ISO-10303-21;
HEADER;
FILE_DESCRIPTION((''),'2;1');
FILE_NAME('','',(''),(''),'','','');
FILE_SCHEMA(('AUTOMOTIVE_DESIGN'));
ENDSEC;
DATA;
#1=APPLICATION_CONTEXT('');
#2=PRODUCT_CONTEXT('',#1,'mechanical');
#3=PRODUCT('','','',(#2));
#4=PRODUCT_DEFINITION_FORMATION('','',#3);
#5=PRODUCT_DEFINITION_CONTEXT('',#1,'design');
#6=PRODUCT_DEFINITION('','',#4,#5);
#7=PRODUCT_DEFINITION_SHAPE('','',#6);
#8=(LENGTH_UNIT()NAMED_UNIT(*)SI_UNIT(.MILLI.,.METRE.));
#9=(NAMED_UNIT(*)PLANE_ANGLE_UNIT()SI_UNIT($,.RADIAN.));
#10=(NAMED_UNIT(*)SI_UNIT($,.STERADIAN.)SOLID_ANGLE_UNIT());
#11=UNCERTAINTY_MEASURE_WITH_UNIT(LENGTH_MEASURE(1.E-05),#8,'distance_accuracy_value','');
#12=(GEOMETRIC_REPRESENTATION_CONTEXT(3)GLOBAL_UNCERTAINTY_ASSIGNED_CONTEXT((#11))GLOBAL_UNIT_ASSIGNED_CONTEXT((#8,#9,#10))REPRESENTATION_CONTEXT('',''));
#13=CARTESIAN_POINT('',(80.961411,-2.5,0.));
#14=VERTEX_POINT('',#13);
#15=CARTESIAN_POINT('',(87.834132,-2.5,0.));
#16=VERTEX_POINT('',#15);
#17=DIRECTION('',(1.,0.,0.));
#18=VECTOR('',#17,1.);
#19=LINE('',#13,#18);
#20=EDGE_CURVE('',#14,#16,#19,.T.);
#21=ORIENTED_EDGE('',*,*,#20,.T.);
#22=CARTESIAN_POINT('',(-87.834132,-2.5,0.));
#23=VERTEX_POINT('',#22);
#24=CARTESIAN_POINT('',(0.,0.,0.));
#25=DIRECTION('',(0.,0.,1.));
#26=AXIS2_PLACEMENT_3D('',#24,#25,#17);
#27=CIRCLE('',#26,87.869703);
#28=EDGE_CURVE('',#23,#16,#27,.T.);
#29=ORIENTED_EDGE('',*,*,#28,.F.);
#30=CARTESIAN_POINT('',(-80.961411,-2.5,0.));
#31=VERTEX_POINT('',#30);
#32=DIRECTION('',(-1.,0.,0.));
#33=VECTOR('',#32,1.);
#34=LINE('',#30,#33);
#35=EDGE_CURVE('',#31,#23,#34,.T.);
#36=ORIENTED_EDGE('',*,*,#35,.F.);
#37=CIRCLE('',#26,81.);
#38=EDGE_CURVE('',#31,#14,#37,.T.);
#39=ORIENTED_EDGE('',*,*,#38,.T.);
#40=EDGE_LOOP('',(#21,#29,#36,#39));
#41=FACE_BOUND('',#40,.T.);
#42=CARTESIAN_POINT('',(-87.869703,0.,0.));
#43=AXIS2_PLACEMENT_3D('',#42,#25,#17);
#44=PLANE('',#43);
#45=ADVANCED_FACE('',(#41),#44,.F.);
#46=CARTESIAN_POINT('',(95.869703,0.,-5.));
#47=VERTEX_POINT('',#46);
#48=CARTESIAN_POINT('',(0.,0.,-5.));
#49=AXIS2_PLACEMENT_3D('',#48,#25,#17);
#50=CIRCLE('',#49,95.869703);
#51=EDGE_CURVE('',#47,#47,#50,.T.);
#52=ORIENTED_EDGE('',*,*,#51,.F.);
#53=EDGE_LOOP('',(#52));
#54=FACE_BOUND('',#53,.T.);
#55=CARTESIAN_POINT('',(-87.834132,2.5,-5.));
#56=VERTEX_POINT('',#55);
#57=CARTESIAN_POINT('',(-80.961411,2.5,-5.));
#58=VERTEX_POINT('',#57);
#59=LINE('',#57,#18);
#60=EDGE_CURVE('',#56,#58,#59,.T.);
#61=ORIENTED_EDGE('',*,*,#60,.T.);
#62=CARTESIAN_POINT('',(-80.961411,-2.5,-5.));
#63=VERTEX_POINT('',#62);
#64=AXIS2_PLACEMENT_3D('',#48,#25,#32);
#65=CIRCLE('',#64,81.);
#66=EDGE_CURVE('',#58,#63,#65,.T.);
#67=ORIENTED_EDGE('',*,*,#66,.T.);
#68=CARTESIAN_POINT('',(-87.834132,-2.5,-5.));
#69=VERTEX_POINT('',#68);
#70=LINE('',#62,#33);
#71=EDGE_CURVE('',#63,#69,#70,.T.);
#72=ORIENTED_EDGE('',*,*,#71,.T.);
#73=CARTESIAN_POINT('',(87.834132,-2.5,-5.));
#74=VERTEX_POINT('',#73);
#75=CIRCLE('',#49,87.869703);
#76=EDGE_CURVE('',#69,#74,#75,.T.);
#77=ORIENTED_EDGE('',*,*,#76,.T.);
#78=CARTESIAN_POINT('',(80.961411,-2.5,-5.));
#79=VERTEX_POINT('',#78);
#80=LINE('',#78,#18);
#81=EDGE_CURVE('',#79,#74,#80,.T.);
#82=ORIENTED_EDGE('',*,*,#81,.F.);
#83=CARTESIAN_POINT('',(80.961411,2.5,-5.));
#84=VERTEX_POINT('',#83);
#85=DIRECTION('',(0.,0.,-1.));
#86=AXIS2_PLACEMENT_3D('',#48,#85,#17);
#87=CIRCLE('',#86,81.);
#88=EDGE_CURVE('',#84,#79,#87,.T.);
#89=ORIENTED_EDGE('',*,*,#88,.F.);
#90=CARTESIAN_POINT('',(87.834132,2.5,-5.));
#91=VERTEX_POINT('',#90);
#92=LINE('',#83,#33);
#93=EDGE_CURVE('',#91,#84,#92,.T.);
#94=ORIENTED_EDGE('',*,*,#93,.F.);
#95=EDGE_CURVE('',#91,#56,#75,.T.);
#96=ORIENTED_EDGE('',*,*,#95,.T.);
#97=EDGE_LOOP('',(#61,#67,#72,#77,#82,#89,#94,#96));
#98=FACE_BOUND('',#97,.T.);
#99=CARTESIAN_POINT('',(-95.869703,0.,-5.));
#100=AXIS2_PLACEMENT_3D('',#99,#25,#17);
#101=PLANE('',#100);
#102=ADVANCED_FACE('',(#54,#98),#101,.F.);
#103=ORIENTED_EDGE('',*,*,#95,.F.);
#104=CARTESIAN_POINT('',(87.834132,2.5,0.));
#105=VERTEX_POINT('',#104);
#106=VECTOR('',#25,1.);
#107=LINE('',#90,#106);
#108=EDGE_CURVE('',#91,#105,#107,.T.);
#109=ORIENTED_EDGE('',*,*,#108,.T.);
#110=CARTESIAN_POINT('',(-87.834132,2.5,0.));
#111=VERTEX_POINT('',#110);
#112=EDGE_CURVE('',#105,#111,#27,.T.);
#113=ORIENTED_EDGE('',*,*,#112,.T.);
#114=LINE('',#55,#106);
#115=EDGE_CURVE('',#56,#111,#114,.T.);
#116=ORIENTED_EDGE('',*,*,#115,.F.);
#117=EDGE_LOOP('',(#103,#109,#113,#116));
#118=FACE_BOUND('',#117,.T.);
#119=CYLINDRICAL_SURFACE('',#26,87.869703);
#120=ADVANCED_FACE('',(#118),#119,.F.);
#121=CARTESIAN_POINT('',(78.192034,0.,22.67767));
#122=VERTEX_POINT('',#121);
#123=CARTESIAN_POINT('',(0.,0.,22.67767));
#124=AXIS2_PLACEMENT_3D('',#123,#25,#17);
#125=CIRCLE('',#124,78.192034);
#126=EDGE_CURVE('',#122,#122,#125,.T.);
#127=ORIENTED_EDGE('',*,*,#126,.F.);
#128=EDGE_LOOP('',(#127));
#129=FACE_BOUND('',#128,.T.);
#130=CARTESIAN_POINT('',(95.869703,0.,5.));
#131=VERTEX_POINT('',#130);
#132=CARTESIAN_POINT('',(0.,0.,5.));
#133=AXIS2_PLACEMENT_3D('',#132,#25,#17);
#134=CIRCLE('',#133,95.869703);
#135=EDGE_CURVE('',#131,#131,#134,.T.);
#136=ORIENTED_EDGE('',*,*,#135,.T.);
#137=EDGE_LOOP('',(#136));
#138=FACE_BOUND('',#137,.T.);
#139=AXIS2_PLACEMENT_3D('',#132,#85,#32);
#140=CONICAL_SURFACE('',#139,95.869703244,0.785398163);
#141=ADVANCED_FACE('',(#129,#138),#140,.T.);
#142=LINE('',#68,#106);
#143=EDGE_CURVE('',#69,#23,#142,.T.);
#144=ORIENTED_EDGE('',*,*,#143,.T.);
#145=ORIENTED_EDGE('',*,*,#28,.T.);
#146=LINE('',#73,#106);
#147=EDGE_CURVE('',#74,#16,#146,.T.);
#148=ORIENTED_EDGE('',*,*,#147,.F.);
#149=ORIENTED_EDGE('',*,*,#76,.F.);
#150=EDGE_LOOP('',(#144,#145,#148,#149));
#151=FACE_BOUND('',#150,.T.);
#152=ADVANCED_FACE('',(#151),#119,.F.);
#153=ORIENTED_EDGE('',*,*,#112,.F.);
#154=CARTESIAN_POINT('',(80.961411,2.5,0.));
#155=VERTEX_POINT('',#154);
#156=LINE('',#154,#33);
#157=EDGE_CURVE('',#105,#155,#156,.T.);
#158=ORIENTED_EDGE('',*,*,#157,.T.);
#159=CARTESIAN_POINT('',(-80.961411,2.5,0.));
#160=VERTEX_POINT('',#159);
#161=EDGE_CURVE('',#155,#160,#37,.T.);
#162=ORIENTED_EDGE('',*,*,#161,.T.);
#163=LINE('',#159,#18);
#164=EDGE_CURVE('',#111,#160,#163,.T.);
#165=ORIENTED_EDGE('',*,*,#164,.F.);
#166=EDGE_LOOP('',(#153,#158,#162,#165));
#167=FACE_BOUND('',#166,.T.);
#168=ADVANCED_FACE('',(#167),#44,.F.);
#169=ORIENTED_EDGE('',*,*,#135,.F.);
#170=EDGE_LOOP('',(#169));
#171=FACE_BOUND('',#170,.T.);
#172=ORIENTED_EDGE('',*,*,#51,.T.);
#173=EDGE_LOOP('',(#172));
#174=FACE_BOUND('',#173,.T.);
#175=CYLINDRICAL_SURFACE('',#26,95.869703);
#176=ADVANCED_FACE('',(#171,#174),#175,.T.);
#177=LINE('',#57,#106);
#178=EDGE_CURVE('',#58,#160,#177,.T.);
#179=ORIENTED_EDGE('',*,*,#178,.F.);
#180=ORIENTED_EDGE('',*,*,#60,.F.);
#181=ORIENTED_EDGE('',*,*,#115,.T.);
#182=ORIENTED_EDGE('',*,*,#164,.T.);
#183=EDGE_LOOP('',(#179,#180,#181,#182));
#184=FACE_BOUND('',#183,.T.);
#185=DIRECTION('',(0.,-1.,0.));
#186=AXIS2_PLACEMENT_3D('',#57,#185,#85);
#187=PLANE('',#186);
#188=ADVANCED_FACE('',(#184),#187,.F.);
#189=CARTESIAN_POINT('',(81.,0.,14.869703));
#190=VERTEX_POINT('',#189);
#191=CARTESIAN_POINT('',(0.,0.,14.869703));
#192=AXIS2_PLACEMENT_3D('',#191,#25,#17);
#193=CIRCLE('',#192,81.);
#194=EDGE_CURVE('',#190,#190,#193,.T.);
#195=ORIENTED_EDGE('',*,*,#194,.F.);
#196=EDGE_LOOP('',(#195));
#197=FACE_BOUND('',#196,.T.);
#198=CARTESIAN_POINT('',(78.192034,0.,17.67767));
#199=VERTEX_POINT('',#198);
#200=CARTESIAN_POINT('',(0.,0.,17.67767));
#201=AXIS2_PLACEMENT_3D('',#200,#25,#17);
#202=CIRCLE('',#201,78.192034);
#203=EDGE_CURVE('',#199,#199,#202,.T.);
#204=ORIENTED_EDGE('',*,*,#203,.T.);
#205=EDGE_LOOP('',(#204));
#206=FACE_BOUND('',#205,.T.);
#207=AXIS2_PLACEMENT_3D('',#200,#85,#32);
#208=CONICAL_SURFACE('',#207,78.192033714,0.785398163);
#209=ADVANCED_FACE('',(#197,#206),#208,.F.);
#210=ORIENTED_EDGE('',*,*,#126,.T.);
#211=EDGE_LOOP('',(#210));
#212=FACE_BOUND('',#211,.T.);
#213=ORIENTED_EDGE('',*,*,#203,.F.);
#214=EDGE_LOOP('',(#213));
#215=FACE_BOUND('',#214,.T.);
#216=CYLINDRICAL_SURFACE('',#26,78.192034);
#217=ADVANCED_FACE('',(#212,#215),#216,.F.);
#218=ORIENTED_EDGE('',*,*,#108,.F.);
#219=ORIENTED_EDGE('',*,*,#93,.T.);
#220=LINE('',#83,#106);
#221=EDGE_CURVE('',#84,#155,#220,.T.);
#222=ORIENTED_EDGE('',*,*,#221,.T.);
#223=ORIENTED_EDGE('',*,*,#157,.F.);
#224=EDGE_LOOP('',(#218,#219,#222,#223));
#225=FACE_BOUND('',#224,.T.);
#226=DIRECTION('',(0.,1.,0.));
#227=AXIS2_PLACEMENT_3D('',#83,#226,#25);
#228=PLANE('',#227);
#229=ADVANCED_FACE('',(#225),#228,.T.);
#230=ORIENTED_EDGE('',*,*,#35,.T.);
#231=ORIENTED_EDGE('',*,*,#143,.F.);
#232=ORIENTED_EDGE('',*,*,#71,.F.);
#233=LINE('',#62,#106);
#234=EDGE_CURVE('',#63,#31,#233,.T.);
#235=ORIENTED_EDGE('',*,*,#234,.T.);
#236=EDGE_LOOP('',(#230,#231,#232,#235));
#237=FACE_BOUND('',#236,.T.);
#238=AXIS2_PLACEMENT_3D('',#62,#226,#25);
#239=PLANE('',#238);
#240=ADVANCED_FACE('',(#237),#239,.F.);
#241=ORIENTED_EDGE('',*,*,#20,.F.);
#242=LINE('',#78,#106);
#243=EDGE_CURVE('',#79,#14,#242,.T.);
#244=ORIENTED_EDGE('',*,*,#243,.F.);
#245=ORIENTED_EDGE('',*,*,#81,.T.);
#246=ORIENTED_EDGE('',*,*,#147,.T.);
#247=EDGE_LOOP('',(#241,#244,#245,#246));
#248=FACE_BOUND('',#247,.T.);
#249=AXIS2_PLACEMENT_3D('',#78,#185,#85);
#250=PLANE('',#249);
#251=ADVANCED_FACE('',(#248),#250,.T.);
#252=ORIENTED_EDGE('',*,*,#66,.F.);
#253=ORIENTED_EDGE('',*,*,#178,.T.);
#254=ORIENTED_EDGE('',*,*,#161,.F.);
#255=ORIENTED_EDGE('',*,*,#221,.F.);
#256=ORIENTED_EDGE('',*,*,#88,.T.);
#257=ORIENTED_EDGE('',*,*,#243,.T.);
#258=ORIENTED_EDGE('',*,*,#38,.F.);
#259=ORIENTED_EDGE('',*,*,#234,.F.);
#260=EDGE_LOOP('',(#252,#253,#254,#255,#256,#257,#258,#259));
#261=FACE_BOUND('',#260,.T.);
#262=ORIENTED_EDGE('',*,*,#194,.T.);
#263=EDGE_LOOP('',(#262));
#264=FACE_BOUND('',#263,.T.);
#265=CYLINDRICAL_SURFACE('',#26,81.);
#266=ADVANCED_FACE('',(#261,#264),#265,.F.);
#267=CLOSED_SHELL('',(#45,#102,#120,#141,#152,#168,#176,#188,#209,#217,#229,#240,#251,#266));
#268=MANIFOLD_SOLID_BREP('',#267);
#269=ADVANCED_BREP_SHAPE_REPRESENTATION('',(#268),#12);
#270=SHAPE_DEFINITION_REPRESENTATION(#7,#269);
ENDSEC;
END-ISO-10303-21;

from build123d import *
from build123d.topology import SkipClean

# Parameters (mm, degrees)
BOSS_EXTRU_1_START = 5
BOSS_EXTRU_1_DEPTH = 5


with BuildPart() as part:
    # Esquisse1 → Révolution1 (revolve)
    with BuildSketch(Plane(origin=(0, 0, 0), x_dir=(1, 0, 0), z_dir=(0, 1, 0)), mode=Mode.PRIVATE) as r_volution1_sk:
        Polygon((-95.869703244, 5), (-95.869703244, -5), (-78.192033714, -22.67766953), (-78.192033714, -17.67766953), (-81, -14.869703244), (-81, 0), (-87.869703244, 0), (-87.869703244, 5), align=None)
    revolve(r_volution1_sk.sketch.rotate(Axis((0, 0, 0), (0, 0, -1)), 180), axis=Axis((0, 0, 0), (0, 0, -1)))

    # Esquisse6 → Boss.-Extru.1 (add)
    with SkipClean():  # the faces are left unmerged after this step: merging them gives an invalid solid
        with BuildSketch(Plane(origin=(0, 0, 0), x_dir=(-1, 0, 0), z_dir=(0, 0, -1)).offset(BOSS_EXTRU_1_START)):
            with BuildLine():
                Line((80.961410561, -2.5), (87.834132022, -2.5))
                ThreePointArc((87.834132022, -2.5), (87.869703244, 0), (87.834132022, 2.5))
                Line((87.834132022, 2.5), (80.961410561, 2.5))
                ThreePointArc((80.961410561, 2.5), (81, 0), (80.961410561, -2.5))
            make_face()
        boss_extru_1 = extrude(amount=-BOSS_EXTRU_1_DEPTH)

    # Symétrie1: Boss.-Extru.1 across plane
    add(boss_extru_1.mirror(Plane(origin=(0, 0, 0), x_dir=(0, 0, 1), z_dir=(1, 0, 0))))


solid = part.part
